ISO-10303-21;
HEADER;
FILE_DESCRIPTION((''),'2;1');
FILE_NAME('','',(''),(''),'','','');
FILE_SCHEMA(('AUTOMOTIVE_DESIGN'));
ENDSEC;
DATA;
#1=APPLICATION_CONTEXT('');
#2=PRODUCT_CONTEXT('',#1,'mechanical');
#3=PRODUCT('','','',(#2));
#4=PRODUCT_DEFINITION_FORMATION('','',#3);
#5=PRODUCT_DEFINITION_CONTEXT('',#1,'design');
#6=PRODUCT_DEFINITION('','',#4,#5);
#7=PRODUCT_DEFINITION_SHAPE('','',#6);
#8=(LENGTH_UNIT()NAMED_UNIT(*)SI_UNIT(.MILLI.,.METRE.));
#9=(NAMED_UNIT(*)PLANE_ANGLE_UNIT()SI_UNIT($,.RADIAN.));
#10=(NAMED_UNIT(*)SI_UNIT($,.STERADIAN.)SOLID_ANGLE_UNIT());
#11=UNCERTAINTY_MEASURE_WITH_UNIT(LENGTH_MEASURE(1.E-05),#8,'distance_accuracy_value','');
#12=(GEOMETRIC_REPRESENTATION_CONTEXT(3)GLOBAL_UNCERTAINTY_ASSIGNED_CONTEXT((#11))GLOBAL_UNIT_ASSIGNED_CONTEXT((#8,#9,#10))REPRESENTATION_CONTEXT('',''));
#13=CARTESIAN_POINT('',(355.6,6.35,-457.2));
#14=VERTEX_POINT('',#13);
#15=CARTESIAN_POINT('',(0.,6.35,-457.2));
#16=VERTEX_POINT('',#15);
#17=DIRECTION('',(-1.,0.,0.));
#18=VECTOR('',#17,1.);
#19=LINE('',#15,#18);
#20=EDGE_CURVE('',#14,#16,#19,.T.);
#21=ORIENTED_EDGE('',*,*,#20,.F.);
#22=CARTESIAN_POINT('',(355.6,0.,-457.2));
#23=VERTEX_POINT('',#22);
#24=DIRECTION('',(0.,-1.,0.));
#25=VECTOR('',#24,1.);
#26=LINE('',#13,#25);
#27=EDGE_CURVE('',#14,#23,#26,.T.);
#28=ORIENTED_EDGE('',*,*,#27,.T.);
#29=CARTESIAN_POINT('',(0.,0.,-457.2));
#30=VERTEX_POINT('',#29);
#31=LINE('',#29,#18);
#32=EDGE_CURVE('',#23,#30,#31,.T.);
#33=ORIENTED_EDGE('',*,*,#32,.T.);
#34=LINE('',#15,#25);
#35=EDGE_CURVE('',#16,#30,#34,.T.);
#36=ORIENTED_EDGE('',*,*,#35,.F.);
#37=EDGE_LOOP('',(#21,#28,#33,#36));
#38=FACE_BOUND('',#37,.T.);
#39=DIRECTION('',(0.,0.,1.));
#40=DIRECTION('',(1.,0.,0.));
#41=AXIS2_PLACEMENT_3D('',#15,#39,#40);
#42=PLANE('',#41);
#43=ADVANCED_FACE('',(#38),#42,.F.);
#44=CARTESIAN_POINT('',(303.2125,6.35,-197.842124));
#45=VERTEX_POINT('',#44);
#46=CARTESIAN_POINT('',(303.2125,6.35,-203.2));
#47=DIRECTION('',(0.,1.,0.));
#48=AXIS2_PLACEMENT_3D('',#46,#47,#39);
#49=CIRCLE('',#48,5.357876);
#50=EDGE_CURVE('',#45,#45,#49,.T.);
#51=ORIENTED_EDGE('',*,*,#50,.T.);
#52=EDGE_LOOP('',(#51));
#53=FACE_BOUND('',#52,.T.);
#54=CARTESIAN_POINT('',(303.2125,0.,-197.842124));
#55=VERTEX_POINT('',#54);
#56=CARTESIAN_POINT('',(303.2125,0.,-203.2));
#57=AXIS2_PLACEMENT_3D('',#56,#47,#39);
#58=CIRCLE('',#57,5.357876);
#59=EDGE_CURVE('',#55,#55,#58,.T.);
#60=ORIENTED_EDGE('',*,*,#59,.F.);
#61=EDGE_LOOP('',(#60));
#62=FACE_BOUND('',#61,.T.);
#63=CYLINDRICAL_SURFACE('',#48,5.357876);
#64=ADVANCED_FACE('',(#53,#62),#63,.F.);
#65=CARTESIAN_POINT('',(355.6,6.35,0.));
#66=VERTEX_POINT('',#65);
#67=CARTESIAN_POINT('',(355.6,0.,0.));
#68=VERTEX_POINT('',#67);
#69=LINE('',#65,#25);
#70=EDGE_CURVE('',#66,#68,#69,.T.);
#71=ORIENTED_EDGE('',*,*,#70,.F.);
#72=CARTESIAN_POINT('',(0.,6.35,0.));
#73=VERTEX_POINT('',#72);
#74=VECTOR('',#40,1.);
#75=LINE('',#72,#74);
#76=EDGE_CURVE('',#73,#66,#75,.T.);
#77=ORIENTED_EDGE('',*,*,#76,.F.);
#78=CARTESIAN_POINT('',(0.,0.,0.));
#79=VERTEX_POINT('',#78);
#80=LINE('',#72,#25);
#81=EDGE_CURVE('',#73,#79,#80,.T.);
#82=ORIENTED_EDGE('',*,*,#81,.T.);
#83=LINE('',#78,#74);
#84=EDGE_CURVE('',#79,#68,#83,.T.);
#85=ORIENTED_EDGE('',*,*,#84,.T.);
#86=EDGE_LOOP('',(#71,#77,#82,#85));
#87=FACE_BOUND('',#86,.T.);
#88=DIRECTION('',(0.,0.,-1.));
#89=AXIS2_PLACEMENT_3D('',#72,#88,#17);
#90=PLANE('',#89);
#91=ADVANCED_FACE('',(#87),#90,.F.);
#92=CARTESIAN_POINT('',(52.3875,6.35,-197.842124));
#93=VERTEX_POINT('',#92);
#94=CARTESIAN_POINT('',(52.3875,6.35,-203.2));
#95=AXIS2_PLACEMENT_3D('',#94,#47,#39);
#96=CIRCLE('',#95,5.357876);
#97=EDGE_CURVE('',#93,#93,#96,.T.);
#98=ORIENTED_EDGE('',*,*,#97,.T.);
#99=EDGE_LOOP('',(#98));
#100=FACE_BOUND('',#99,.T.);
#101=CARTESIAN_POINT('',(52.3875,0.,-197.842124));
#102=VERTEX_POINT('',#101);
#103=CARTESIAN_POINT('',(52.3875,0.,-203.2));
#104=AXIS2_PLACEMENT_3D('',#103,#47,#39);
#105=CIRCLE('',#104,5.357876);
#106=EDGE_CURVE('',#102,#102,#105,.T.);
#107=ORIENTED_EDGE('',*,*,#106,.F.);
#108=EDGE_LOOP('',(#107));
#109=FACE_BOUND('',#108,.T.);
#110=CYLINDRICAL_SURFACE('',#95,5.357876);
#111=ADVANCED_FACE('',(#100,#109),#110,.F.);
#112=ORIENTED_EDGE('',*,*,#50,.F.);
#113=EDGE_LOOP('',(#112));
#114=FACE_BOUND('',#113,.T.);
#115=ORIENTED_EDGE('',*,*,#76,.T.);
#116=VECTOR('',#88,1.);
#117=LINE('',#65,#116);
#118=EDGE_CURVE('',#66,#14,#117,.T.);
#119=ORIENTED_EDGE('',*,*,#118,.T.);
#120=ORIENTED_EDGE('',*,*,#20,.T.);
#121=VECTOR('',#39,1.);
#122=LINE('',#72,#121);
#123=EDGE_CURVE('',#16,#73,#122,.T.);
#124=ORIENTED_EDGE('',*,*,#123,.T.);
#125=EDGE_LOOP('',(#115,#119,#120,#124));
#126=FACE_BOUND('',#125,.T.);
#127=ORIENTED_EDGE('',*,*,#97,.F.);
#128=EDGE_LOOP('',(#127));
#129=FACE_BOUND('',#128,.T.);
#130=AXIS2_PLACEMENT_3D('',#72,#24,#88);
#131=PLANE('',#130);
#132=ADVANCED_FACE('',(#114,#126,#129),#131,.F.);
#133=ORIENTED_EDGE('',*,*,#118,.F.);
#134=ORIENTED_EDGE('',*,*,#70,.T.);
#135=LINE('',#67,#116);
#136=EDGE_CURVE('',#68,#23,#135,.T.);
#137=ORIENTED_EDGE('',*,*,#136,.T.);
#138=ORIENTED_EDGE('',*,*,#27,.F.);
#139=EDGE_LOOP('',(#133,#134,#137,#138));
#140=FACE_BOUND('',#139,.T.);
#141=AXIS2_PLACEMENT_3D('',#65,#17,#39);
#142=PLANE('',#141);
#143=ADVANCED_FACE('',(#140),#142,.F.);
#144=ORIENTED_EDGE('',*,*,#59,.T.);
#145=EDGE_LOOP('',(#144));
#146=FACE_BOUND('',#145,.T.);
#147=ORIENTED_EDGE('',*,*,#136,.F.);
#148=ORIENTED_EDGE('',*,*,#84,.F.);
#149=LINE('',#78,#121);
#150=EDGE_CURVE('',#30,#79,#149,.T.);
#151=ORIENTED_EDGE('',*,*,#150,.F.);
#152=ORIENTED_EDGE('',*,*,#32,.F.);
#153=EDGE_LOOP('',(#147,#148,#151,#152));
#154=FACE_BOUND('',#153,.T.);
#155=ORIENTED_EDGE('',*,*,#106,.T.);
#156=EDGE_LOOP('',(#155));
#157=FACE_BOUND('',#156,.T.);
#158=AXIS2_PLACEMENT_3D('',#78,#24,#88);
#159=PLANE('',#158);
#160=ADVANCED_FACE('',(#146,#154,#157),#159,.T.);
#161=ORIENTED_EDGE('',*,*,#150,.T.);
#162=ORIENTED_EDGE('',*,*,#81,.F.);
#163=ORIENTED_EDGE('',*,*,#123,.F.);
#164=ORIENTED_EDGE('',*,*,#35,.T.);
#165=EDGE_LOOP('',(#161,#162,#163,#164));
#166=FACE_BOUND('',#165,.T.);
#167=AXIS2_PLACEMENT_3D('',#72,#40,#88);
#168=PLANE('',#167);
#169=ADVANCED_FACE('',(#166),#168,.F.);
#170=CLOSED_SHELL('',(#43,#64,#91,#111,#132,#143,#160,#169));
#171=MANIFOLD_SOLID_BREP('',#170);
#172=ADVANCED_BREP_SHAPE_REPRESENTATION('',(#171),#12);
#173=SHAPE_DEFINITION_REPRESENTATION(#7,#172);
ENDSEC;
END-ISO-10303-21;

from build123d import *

# Parameters (mm, degrees)
SKETCH1_W                        = 355.6
SKETCH1_H                        = 457.2
BOSS_EXTRUDE1_DEPTH              = 6.35
F_27_64_0_42188_DIAMETER_HOLE1_D = 10.715752


with BuildPart() as part:
    # Sketch1 → Boss-Extrude1 (new body)
    with BuildSketch(Plane(origin=(0, 0, 0), x_dir=(1, 0, 0), z_dir=(0, 1, 0))):
        with Locations((177.8, 228.6)):
            Rectangle(SKETCH1_W, SKETCH1_H)
    extrude(amount=BOSS_EXTRUDE1_DEPTH)

    # 27/64 (0.42188) Diameter Hole1 (through all)
    with Locations(Plane(origin=(0, 6.35, 0), x_dir=(1, 0, 0), z_dir=(0, 1, 0))):
        with Locations((303.2125, 203.2), (52.3875, 203.2)):
            Hole(F_27_64_0_42188_DIAMETER_HOLE1_D / 2)


solid = part.part
